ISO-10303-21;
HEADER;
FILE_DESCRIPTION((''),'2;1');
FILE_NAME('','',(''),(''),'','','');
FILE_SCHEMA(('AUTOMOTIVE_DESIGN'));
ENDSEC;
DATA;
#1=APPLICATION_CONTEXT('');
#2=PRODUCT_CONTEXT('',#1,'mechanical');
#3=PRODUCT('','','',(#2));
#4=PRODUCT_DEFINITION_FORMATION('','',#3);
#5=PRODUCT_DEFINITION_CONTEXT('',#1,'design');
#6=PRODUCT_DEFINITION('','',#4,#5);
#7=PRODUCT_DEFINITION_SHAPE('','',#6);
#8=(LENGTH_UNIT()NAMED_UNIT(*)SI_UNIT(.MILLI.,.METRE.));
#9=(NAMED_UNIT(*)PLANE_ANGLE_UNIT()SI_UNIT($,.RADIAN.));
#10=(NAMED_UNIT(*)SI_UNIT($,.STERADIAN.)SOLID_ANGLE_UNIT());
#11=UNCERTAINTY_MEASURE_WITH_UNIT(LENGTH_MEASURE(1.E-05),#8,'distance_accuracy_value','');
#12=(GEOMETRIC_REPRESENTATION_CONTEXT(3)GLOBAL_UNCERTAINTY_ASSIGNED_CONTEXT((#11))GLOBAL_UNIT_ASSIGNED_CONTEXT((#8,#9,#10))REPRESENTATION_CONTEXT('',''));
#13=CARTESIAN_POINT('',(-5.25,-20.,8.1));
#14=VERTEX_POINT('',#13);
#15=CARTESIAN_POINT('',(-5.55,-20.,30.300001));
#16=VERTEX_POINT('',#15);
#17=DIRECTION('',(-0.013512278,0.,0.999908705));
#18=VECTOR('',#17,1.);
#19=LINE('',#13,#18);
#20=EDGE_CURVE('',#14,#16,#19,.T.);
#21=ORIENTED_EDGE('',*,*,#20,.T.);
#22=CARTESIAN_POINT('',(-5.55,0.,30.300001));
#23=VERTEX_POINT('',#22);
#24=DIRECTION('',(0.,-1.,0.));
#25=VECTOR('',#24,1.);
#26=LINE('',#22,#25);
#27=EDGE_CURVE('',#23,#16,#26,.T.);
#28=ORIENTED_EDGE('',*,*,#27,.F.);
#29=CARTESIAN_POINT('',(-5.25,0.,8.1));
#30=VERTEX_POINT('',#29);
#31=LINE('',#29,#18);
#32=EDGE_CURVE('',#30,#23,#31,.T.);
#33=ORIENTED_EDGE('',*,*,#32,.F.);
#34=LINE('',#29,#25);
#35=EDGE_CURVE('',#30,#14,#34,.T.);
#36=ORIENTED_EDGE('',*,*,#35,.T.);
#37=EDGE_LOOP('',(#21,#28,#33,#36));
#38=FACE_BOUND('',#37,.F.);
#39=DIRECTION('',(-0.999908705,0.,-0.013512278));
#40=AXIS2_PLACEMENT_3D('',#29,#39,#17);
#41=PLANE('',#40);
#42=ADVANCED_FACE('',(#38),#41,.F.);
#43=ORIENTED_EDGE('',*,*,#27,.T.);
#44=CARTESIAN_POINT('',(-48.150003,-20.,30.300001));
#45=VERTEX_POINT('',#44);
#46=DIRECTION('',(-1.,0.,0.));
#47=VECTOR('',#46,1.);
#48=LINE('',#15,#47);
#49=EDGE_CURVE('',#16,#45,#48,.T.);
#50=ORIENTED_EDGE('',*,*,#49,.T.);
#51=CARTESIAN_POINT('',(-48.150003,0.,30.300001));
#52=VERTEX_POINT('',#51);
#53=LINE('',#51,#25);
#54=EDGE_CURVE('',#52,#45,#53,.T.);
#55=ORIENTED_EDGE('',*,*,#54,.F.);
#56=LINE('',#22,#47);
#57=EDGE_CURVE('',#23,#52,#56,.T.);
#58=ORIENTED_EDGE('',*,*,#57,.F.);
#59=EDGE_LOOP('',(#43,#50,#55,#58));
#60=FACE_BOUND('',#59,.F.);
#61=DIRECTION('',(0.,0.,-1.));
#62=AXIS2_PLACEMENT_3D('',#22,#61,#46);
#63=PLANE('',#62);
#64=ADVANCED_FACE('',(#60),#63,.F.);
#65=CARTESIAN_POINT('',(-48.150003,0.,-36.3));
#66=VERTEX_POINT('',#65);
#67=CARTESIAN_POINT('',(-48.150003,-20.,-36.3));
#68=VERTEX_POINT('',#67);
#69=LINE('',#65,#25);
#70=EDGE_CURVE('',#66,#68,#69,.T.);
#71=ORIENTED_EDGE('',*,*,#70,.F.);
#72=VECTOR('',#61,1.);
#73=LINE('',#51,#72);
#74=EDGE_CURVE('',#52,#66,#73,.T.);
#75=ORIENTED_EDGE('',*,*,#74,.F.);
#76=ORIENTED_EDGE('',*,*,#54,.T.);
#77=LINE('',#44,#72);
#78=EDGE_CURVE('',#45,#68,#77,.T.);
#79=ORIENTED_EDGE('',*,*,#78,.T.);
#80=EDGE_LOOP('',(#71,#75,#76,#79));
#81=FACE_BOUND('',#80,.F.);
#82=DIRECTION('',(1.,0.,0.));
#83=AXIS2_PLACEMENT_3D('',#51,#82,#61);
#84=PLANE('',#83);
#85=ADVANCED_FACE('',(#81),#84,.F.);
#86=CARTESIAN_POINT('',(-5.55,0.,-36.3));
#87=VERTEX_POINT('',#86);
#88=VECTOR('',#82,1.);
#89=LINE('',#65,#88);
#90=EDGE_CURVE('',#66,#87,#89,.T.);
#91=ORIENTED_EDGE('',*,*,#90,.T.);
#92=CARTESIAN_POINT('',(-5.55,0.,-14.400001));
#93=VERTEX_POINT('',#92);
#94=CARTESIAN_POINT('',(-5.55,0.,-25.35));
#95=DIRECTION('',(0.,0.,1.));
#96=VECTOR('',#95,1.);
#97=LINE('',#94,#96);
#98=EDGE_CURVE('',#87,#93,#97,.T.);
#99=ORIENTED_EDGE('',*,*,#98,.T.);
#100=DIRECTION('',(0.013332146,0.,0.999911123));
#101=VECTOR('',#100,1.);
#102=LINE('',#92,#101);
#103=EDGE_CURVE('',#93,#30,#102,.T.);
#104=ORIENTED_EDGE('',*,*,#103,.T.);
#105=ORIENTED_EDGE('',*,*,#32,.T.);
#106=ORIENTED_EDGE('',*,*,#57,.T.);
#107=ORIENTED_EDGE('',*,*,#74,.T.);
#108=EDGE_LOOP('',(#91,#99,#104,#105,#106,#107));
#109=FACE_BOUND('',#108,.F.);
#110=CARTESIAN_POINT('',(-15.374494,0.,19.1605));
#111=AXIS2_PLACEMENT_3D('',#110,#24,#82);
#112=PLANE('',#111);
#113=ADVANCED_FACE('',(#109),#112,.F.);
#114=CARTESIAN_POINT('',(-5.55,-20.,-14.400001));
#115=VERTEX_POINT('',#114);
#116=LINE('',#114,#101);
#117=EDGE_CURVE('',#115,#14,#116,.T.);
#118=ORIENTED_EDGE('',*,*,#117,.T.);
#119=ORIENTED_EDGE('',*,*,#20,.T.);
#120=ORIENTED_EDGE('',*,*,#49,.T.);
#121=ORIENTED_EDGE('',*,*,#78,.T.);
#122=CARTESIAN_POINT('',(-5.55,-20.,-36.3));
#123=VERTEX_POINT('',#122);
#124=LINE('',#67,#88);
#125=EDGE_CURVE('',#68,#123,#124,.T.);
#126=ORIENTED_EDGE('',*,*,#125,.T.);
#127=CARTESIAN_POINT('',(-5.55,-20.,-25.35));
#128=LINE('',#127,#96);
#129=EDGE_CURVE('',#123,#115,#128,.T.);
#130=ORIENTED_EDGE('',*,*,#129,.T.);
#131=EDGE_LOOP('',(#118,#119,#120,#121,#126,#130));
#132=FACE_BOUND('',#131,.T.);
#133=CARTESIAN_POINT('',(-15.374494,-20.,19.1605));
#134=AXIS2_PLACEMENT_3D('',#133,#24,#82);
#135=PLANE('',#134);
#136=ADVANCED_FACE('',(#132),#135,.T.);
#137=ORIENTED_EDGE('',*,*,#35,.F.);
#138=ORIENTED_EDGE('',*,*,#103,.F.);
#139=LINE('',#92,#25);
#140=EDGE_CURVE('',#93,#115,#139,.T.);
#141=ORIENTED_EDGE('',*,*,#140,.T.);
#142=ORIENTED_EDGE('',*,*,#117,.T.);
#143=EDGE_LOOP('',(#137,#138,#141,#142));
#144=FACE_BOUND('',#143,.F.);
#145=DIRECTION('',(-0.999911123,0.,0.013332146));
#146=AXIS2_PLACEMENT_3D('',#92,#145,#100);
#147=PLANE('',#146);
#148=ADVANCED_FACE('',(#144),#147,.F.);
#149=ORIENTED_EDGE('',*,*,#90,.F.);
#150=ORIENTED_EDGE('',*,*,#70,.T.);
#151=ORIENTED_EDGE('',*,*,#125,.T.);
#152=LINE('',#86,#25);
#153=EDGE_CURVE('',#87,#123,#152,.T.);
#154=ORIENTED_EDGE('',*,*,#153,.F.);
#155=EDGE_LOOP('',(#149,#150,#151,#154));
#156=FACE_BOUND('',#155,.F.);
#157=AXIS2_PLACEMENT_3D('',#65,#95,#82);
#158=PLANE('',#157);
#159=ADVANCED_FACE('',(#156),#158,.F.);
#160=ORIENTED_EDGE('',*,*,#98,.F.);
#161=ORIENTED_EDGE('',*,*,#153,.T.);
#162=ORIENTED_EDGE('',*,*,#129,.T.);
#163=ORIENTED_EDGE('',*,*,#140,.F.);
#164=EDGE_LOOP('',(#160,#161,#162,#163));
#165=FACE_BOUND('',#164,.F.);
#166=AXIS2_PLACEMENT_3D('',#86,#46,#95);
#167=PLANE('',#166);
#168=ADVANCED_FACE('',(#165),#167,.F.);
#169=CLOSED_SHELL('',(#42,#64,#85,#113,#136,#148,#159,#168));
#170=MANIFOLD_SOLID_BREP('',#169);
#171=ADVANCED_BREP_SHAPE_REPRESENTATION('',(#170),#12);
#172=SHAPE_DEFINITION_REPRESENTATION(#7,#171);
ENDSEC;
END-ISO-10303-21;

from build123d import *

# Parameters (mm, degrees)
F0_W     = 22.8000022471
F0_H     = 22.2000004724
F0_H_2   = 22.5000008941
F0_W_2   = 19.800000824
F0_H_3   = 21.8999991193
F1_DEPTH = 20


with BuildPart() as f1:
    # F0 (on Front) → F1 (new body)
    with BuildSketch(Plane.XZ):
        Polygon((-5.2499999292, 8.1000002101), (-5.5499998853, 30.3000006825), (-25.3500007093, 30.3000006825), (-25.3500007093, 8.1000002101), align=None)
        with Locations((-36.7500018328, 19.2000004463)):
            Rectangle(F0_W, F0_H)
        Polygon((-5.5499998853, -14.400000684), (-5.2499999292, 8.1000002101), (-25.3500007093, 8.1000002101), (-25.3500007093, -14.400000684), align=None)
        with Locations((-36.7500018328, -3.1500002369)):
            Rectangle(F0_W, F0_H_2)
        with Locations((-15.4500002973, -25.3500002436)):
            Rectangle(F0_W_2, F0_H_3)
        with Locations((-36.7500018328, -25.3500002436)):
            Rectangle(F0_W, F0_H_3)
    extrude(amount=F1_DEPTH)


solid = f1.part
